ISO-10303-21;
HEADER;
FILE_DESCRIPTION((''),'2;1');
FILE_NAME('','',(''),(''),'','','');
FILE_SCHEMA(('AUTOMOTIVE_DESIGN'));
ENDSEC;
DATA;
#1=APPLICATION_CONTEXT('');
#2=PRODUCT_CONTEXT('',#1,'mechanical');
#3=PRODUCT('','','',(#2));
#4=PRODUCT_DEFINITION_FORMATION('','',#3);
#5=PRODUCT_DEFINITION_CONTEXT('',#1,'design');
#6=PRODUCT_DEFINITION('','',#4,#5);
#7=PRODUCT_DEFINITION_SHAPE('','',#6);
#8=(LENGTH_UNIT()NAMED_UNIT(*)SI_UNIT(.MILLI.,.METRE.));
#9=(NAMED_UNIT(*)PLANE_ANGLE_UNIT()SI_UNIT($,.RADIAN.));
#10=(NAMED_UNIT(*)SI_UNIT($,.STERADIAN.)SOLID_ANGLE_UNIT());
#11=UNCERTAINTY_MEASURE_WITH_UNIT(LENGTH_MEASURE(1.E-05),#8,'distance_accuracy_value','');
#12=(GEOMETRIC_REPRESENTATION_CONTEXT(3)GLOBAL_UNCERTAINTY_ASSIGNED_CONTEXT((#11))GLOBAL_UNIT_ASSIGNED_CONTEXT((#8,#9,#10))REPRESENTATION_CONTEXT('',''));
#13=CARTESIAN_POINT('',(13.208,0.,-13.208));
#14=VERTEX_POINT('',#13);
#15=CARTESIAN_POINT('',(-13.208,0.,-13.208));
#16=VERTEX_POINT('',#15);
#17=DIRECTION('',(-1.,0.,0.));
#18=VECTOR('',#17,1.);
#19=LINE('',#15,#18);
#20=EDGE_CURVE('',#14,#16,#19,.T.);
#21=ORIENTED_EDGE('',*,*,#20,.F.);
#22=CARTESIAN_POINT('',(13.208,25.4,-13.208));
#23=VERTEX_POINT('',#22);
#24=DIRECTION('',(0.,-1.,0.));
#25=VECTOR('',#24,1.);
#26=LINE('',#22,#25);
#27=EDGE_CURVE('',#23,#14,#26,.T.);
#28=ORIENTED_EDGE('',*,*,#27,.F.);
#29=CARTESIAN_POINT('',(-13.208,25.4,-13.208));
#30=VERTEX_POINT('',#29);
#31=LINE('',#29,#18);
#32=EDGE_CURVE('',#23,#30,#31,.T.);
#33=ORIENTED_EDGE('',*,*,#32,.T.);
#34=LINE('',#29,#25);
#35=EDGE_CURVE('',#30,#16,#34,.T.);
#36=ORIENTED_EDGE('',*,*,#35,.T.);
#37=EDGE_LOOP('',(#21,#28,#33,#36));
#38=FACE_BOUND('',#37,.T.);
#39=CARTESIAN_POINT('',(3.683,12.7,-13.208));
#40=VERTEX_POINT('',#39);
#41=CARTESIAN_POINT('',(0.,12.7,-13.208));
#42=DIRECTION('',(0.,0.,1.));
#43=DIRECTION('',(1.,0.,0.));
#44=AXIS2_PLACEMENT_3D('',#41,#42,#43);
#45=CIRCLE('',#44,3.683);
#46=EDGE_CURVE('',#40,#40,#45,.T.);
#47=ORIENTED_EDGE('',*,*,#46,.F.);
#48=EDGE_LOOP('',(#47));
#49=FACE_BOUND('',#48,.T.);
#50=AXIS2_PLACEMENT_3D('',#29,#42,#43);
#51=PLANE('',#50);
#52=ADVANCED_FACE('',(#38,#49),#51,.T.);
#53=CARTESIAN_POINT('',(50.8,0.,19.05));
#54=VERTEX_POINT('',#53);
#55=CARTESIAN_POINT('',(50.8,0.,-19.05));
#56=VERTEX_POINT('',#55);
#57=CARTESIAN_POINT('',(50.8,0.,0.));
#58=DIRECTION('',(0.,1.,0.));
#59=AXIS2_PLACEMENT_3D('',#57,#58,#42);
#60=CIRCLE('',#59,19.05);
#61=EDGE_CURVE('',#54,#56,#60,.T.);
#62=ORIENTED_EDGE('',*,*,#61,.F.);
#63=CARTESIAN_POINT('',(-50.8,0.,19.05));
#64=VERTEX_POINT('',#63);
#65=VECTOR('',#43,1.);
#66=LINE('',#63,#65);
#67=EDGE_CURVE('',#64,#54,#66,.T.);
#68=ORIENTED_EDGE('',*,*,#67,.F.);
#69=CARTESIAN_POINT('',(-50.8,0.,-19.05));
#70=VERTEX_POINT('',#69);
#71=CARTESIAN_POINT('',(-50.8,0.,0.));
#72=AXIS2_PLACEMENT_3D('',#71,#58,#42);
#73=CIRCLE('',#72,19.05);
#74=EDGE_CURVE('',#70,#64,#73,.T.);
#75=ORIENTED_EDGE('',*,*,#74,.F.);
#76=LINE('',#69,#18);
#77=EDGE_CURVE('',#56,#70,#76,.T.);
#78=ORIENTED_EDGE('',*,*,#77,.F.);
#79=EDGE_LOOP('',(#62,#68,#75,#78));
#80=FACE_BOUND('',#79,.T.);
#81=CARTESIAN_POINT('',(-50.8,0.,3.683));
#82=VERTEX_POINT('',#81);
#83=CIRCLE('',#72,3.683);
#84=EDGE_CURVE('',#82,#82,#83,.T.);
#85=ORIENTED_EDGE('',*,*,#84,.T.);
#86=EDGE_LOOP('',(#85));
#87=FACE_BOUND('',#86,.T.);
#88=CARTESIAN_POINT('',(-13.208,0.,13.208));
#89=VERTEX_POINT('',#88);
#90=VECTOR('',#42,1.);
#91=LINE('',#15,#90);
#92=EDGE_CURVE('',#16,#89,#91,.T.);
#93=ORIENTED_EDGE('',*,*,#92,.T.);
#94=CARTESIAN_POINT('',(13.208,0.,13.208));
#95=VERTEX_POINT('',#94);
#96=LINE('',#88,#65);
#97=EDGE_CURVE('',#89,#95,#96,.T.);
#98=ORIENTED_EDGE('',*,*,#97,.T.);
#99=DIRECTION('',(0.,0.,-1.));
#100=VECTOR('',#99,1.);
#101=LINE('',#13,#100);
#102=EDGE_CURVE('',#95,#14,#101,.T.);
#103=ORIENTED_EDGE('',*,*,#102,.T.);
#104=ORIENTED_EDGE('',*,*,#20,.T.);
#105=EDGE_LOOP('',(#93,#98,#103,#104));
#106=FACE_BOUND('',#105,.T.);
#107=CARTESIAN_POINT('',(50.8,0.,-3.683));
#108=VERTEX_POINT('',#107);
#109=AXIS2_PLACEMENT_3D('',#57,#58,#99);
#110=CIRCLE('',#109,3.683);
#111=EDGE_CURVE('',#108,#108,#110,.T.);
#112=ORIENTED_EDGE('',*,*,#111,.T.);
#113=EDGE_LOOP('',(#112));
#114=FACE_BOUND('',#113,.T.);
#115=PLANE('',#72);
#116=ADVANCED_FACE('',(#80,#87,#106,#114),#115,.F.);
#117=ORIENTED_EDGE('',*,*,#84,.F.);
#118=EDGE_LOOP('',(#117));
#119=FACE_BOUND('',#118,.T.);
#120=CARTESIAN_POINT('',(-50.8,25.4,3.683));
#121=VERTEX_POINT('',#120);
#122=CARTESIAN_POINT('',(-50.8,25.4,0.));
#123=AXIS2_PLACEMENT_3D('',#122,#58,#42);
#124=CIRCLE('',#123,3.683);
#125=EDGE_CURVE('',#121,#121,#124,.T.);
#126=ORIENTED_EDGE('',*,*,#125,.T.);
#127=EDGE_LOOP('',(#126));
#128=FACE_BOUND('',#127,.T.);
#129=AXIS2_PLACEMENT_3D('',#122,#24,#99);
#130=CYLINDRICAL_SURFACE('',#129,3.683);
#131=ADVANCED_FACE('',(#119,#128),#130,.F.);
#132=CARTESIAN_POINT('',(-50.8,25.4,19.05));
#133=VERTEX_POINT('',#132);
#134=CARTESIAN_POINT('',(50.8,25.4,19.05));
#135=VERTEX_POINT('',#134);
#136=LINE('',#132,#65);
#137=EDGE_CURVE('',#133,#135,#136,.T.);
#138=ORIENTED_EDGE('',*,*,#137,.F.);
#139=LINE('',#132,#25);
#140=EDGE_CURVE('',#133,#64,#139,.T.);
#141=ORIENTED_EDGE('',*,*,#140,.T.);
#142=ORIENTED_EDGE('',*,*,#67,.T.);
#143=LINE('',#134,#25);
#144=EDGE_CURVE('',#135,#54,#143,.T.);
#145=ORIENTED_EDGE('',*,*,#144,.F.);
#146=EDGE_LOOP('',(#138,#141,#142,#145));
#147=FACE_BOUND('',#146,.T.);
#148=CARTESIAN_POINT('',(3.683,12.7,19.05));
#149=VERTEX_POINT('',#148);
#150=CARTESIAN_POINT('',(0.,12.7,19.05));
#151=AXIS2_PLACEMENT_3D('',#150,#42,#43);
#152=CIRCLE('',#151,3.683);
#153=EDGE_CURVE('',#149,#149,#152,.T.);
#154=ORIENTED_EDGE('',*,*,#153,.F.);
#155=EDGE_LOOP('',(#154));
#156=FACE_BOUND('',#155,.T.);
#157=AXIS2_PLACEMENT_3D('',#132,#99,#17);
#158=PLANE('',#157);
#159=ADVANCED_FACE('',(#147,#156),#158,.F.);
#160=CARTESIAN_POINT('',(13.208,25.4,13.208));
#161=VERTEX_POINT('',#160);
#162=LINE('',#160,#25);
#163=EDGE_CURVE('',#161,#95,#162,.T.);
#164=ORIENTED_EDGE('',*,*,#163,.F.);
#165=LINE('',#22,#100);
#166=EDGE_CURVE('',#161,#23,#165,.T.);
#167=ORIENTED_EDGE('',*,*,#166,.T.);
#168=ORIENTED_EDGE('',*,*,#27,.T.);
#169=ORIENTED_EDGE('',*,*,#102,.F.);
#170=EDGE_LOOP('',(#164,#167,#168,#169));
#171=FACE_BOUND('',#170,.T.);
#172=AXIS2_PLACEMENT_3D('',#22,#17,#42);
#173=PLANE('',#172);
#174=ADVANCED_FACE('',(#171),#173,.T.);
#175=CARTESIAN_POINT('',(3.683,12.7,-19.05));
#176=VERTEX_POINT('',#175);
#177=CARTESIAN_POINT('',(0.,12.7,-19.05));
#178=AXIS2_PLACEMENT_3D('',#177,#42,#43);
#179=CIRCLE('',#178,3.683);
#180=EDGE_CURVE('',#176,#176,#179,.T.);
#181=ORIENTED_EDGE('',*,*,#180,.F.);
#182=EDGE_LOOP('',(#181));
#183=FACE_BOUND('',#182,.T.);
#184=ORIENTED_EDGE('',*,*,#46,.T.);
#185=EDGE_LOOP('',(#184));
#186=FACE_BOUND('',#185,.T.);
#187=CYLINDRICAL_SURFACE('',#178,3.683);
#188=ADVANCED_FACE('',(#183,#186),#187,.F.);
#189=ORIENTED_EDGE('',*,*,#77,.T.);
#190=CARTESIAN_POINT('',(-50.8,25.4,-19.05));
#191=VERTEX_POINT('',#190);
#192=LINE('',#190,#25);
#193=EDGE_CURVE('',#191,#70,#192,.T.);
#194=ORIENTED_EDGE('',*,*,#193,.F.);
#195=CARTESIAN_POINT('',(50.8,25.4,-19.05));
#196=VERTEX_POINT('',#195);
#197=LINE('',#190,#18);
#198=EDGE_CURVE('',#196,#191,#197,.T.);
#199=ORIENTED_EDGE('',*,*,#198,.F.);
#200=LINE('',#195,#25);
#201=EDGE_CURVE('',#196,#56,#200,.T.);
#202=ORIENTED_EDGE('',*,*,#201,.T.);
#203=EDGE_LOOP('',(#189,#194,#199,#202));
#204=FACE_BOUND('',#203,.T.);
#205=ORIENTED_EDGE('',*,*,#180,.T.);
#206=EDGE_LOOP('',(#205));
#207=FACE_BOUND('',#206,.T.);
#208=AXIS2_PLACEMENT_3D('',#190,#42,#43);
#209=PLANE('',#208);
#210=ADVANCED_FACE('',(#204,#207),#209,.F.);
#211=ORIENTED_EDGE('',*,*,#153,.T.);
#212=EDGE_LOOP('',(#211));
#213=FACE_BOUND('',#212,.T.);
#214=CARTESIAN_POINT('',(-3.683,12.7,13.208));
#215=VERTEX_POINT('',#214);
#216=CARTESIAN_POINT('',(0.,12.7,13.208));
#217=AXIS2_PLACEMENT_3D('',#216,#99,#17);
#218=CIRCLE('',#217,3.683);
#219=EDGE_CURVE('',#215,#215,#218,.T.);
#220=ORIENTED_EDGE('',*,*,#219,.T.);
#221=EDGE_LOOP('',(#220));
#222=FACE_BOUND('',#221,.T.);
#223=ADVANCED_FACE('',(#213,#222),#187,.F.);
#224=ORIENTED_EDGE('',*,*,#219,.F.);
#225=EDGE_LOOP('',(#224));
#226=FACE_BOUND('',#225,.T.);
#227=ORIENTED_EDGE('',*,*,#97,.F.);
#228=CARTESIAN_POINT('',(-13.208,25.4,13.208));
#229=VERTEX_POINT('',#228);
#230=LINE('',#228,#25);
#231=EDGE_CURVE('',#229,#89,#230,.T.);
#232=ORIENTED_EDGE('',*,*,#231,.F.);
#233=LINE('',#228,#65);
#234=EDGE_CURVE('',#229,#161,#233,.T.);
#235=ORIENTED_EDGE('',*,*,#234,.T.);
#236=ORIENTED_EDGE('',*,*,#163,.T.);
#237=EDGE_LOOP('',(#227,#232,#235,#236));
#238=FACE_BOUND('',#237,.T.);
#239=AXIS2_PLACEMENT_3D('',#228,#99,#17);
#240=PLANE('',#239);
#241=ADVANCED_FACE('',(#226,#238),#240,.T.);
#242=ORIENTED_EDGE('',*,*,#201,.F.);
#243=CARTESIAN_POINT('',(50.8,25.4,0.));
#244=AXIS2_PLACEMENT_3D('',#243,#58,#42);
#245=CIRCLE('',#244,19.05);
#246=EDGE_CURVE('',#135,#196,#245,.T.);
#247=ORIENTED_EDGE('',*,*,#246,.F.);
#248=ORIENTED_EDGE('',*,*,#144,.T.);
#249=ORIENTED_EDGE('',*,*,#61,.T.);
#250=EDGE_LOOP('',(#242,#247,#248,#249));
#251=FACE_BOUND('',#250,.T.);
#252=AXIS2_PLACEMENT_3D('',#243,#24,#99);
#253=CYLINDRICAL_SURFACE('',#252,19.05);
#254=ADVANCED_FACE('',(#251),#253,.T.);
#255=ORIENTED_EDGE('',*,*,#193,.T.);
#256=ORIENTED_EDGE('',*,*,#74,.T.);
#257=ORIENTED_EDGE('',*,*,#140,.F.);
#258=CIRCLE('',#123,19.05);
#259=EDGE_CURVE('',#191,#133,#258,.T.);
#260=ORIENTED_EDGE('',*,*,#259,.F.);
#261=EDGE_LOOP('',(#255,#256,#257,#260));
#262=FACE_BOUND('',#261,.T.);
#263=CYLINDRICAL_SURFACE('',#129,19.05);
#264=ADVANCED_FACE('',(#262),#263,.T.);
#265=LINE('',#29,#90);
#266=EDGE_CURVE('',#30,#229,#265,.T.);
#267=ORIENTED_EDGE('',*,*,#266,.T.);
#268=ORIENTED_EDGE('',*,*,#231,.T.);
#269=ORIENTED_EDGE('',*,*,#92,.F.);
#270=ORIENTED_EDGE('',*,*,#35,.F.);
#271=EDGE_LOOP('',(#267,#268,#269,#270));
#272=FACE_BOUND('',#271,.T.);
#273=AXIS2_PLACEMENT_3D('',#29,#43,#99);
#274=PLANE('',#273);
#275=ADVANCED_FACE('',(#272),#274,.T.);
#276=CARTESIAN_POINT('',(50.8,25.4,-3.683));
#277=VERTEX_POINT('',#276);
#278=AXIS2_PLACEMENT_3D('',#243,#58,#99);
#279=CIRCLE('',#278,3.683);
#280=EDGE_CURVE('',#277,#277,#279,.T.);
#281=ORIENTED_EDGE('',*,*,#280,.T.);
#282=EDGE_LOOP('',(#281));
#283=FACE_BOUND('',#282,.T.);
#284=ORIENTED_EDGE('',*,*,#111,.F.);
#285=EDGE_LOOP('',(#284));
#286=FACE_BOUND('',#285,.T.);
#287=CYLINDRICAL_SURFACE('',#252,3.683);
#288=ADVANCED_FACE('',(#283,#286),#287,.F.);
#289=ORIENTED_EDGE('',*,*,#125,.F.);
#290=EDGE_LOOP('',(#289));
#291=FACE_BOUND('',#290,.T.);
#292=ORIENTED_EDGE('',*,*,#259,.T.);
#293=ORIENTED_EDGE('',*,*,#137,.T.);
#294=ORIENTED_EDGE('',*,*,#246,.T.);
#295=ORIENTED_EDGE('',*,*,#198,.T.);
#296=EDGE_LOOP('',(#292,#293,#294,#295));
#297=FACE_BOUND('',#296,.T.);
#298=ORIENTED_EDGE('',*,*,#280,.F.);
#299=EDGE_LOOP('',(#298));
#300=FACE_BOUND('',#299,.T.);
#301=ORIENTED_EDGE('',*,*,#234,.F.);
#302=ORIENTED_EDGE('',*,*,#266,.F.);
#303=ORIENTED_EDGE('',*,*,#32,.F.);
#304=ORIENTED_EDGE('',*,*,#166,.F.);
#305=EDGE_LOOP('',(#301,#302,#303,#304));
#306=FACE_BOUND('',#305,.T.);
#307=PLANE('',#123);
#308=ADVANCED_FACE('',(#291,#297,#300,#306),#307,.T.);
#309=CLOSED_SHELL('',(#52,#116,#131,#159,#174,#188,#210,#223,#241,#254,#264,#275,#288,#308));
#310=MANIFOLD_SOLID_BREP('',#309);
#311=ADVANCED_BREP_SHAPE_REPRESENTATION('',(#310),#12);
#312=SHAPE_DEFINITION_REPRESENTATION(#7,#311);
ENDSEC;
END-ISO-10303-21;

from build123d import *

# Parameters (mm, degrees)
SKETCH1_R           = 3.683
SKETCH1_W           = 26.416
SKETCH1_H           = 26.416
BOSS_EXTRUDE1_DEPTH = 25.4
SKETCH2_R           = 3.683
CUT_EXTRUDE1_DEPTH  = 39.1


with BuildPart() as part:
    # Sketch1 → Boss-Extrude1 (new body)
    with BuildSketch(Plane(origin=(0, 0, 0), x_dir=(1, 0, 0), z_dir=(0, 1, 0))):
        with BuildLine():
            Line((-50.8, 19.05), (50.8, 19.05))
            ThreePointArc((50.8, 19.05), (69.85, 0), (50.8, -19.05))
            Line((50.8, -19.05), (-50.8, -19.05))
            ThreePointArc((-50.8, -19.05), (-69.85, 0), (-50.8, 19.05))
        make_face()
        with Locations((-50.8, 0)):
            Circle(SKETCH1_R, mode=Mode.SUBTRACT)
        with Locations((50.8, 0)):
            Circle(SKETCH1_R, mode=Mode.SUBTRACT)
        Rectangle(SKETCH1_W, SKETCH1_H, mode=Mode.SUBTRACT)
    extrude(amount=BOSS_EXTRUDE1_DEPTH)

    # Sketch2 → Cut-Extrude1 (cut, through all)
    with BuildSketch(Plane.XY.offset(19.05)):
        with Locations((0, 12.7)):
            Circle(SKETCH2_R)
    extrude(amount=-CUT_EXTRUDE1_DEPTH, mode=Mode.SUBTRACT)


solid = part.part
